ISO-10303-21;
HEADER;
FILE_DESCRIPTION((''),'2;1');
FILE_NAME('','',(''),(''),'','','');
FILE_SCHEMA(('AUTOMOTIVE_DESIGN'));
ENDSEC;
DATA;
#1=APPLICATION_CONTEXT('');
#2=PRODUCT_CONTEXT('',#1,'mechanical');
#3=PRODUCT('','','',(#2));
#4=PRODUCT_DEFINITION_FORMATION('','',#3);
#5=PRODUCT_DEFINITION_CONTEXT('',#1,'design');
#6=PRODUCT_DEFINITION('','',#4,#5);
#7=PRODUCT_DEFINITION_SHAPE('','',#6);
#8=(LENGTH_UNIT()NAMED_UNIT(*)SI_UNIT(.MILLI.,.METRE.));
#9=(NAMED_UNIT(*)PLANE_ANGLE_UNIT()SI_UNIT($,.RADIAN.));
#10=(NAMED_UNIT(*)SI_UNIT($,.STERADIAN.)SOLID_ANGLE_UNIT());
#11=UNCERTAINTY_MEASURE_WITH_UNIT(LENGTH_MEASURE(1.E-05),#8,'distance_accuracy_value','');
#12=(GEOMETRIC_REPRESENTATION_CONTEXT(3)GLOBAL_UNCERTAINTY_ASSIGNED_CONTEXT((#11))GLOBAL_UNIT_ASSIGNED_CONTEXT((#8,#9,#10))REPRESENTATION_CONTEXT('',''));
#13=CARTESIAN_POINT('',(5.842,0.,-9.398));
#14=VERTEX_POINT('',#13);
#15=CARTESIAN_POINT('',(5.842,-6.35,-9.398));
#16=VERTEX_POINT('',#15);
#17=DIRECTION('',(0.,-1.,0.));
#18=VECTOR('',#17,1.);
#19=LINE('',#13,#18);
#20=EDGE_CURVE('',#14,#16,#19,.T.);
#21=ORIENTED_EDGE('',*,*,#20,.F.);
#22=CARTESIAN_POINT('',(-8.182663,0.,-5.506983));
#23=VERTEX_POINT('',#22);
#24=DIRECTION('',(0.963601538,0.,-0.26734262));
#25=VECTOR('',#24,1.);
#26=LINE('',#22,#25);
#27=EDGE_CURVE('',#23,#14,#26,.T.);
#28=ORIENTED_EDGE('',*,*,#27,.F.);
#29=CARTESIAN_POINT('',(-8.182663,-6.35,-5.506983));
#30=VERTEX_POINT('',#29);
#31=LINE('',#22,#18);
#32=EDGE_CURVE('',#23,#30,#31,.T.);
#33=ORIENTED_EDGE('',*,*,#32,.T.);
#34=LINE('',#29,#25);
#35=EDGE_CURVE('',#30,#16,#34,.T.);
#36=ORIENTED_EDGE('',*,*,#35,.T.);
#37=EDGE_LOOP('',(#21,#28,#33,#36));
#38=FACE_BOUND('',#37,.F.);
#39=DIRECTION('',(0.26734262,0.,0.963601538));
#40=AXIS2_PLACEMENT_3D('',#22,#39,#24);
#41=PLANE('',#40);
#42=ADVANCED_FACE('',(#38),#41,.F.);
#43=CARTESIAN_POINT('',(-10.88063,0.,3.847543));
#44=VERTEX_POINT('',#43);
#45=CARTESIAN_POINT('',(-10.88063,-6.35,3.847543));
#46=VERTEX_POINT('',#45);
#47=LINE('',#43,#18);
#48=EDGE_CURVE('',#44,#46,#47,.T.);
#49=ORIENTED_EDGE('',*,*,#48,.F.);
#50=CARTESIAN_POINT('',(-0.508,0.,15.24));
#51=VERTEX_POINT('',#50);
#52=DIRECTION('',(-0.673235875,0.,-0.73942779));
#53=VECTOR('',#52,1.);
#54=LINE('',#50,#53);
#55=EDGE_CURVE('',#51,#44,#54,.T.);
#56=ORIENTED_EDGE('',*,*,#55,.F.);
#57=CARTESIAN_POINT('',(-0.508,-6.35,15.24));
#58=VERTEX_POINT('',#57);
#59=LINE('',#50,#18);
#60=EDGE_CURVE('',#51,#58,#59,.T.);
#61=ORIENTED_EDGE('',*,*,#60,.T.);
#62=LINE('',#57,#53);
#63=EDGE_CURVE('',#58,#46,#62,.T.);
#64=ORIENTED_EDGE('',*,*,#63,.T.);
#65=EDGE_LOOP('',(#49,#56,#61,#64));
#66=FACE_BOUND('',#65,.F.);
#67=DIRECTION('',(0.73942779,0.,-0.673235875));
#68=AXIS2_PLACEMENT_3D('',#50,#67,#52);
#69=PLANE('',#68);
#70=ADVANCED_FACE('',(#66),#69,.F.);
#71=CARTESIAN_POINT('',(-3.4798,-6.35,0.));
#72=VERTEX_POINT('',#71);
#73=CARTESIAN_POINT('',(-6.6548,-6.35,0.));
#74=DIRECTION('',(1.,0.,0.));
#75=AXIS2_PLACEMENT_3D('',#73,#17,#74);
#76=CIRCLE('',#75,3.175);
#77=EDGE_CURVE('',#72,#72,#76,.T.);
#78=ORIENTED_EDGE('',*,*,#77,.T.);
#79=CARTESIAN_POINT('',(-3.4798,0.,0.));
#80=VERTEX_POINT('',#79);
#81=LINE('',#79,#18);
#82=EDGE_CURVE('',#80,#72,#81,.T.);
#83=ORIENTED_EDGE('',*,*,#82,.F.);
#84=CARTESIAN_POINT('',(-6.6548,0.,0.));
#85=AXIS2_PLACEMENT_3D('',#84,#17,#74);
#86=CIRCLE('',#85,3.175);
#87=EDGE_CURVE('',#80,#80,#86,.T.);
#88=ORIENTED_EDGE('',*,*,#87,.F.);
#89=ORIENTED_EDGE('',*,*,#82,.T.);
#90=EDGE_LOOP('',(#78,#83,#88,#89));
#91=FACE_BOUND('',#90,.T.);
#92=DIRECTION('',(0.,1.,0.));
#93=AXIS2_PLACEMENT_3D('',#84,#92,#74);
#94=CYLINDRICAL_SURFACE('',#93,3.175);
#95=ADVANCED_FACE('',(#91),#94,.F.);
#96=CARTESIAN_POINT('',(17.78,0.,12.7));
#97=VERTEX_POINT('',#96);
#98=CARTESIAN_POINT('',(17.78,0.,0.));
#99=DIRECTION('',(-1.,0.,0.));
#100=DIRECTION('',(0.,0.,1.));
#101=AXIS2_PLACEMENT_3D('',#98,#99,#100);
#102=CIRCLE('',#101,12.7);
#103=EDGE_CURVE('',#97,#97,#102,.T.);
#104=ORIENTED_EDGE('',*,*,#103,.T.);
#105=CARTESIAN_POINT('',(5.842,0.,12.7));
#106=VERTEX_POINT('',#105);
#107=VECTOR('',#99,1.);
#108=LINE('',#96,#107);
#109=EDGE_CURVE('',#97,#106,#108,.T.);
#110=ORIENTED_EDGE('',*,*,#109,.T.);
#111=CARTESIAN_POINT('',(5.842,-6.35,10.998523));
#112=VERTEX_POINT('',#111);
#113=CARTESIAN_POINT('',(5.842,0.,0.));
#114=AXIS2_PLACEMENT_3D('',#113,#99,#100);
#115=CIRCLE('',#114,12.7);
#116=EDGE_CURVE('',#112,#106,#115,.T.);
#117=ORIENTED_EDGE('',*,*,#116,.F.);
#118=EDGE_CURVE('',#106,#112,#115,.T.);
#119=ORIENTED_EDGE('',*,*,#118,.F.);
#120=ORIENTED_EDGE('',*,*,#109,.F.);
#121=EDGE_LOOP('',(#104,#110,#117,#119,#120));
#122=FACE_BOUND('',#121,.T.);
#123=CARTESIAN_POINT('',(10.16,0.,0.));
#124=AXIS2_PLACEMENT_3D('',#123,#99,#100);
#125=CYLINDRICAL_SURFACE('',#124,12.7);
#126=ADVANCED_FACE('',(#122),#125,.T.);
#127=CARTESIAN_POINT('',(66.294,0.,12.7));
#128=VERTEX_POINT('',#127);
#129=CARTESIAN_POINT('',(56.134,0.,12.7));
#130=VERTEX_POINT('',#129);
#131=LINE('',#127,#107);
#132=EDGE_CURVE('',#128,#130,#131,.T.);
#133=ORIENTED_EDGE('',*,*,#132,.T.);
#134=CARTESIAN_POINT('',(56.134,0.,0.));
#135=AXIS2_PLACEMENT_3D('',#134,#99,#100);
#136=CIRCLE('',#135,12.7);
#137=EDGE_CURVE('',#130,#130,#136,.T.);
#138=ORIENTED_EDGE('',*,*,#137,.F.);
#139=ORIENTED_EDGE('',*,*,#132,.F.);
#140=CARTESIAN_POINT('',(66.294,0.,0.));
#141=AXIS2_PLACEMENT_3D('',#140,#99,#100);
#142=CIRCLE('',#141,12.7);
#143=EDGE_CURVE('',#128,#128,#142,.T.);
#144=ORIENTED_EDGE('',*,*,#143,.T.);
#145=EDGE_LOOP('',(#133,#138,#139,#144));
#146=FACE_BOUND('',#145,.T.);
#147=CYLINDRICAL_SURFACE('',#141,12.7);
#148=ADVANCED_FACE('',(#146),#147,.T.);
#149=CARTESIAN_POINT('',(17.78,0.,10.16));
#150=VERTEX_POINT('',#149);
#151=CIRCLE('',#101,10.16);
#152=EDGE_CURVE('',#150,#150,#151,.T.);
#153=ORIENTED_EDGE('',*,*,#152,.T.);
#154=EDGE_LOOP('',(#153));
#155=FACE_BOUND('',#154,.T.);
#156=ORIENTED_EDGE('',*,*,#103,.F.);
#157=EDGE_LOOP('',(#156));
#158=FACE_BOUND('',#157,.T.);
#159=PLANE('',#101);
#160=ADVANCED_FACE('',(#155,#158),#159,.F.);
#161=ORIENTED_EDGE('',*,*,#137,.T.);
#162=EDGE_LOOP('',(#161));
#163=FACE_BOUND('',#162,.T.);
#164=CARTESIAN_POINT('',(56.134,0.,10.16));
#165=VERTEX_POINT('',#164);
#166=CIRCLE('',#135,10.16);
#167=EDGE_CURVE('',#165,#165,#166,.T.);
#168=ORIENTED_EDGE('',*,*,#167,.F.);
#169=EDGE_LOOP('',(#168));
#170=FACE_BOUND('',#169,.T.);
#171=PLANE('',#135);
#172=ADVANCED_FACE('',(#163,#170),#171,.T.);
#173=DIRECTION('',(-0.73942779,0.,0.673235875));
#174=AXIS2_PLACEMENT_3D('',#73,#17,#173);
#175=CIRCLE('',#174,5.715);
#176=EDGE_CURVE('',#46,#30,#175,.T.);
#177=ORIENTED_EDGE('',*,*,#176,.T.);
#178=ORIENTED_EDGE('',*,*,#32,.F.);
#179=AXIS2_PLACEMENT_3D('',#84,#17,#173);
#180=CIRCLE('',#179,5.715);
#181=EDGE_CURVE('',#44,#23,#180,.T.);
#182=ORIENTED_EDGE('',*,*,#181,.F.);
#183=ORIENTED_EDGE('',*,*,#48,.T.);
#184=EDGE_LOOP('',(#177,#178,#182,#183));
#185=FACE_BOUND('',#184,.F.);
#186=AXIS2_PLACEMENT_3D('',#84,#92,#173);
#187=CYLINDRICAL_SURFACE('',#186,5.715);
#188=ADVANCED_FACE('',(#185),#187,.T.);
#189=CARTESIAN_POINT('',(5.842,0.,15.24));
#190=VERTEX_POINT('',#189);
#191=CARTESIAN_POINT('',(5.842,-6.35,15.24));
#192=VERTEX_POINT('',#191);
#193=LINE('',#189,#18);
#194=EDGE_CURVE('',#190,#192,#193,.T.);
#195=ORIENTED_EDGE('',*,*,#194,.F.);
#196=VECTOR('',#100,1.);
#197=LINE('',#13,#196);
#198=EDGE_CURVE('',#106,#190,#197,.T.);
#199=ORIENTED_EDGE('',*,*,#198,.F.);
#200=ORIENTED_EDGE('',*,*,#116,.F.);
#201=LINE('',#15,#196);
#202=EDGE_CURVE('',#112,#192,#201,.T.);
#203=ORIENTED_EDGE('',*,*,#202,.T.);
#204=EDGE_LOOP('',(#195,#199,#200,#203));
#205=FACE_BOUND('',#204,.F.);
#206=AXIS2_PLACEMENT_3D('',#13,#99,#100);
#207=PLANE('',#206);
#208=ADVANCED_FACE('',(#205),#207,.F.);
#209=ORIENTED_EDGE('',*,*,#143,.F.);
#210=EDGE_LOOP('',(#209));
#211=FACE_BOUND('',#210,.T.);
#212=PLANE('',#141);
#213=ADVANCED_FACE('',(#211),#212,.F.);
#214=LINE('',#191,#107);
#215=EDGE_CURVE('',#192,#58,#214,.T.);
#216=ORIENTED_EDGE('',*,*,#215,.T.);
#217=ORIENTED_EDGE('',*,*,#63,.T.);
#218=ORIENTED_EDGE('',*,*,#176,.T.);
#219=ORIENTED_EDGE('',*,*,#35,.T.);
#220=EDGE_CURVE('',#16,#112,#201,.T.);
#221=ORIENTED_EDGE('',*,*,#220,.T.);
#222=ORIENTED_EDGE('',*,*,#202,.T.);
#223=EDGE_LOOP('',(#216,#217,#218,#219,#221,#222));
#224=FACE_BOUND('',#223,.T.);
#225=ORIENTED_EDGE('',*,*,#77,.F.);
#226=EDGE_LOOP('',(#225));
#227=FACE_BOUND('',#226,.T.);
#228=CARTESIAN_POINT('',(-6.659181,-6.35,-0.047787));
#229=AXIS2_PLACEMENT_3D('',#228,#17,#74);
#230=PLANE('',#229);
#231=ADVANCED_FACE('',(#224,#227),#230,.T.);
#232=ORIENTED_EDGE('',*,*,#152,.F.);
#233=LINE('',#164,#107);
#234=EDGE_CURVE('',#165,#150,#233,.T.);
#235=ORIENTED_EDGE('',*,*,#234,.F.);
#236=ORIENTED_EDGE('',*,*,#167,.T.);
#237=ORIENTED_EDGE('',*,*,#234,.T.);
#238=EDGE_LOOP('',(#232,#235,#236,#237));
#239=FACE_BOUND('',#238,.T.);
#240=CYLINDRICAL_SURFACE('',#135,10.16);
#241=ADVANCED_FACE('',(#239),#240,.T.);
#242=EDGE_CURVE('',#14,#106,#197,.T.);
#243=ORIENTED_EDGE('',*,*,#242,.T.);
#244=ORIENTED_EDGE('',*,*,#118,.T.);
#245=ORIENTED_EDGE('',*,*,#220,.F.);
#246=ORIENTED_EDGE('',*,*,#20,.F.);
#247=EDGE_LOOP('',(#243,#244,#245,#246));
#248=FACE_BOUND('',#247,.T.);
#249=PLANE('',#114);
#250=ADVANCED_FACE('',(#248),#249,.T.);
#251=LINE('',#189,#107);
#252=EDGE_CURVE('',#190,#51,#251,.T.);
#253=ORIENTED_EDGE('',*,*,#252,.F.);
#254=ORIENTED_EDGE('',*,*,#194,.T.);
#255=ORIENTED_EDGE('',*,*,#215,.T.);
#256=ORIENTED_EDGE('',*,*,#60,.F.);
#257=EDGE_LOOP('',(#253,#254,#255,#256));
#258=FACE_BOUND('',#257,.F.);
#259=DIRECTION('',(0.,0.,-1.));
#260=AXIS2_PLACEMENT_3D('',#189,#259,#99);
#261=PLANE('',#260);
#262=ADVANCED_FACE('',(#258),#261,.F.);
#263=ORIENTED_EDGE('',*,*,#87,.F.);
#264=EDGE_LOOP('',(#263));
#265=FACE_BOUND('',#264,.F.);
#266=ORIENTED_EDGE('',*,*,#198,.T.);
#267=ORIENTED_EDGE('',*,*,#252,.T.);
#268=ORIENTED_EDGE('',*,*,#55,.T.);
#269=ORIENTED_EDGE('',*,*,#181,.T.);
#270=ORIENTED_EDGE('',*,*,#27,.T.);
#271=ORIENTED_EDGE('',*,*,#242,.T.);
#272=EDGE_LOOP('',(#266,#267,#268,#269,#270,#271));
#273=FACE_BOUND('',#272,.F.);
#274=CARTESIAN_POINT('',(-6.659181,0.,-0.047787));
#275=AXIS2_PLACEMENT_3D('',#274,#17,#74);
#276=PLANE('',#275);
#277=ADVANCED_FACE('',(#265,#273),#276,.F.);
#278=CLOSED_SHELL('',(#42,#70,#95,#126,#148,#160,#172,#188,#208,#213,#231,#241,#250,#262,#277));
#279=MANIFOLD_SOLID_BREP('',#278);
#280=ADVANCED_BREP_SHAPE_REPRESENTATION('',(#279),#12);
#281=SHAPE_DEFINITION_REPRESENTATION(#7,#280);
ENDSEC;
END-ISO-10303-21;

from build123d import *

# Parameters (mm, degrees)
F0_R     = 3.175
F0_W     = 5.842
F0_H     = 12.7
F2_DEPTH = 6.35
F3_DEPTH = 7.62


with BuildPart() as f1:
    # F0 (on Front) → F1 (revolve)
    with BuildSketch(Plane.XZ):
        Polygon((5.842, 12.7), (5.842, 0), (66.294, 0), (66.294, 12.7), (56.134, 12.7), (56.134, 10.16), (10.16, 10.16), (10.16, 12.7), align=None)
    revolve(axis=Axis((33.147, 0, 0), (-1, 0, 0)))

    # F0 (on Front) → F2 (join)
    with BuildSketch(Plane.XZ):
        with BuildLine():
            ThreePointArc((-8.1826630726, -5.5069827884), (-3.1957909266, -4.5493385486), (-0.9398, 0))
            ThreePointArc((-0.9398, 0), (-4.5919612295, 5.3297205562), (-10.8806298187, 3.8475430269))
            ThreePointArc((-10.8806298187, 3.8475430269), (-12.1459778134, -1.5837270034), (-8.1826630726, -5.5069827884))
        make_face()
        with Locations((-6.6548, 0)):
            Circle(F0_R, mode=Mode.SUBTRACT)
        with BuildLine():
            Line((5.842, 0), (0, 0))
            Line((0, 0), (-0.9398, 0))
            ThreePointArc((-0.9398, 0), (-3.1957909266, -4.5493385486), (-8.1826630726, -5.5069827884))
            Line((-8.1826630726, -5.5069827884), (5.842, -9.398))
            Line((5.842, -9.398), (5.842, 0))
        make_face()
        with BuildLine():
            Line((-0.9398, 0), (0, 0))
            Line((0, 0), (0, 12.7))
            Line((0, 12.7), (5.842, 12.7))
            Line((5.842, 12.7), (5.842, 15.24))
            Line((5.842, 15.24), (-0.508, 15.24))
            Line((-0.508, 15.24), (-10.8806298187, 3.8475430269))
            ThreePointArc((-10.8806298187, 3.8475430269), (-4.5919612295, 5.3297205562), (-0.9398, 0))
        make_face()
        with Locations((2.921, 6.35)):
            Rectangle(F0_W, F0_H)
    extrude(amount=F2_DEPTH)

    # F3 (add): a face of the model
    f3_faces = [f1.faces().sort_by_distance(p)[0] for p in [
        (10.16, 0, -10.5192102448),
    ]]
    extrude(f3_faces, amount=F3_DEPTH)


solid = f1.part
